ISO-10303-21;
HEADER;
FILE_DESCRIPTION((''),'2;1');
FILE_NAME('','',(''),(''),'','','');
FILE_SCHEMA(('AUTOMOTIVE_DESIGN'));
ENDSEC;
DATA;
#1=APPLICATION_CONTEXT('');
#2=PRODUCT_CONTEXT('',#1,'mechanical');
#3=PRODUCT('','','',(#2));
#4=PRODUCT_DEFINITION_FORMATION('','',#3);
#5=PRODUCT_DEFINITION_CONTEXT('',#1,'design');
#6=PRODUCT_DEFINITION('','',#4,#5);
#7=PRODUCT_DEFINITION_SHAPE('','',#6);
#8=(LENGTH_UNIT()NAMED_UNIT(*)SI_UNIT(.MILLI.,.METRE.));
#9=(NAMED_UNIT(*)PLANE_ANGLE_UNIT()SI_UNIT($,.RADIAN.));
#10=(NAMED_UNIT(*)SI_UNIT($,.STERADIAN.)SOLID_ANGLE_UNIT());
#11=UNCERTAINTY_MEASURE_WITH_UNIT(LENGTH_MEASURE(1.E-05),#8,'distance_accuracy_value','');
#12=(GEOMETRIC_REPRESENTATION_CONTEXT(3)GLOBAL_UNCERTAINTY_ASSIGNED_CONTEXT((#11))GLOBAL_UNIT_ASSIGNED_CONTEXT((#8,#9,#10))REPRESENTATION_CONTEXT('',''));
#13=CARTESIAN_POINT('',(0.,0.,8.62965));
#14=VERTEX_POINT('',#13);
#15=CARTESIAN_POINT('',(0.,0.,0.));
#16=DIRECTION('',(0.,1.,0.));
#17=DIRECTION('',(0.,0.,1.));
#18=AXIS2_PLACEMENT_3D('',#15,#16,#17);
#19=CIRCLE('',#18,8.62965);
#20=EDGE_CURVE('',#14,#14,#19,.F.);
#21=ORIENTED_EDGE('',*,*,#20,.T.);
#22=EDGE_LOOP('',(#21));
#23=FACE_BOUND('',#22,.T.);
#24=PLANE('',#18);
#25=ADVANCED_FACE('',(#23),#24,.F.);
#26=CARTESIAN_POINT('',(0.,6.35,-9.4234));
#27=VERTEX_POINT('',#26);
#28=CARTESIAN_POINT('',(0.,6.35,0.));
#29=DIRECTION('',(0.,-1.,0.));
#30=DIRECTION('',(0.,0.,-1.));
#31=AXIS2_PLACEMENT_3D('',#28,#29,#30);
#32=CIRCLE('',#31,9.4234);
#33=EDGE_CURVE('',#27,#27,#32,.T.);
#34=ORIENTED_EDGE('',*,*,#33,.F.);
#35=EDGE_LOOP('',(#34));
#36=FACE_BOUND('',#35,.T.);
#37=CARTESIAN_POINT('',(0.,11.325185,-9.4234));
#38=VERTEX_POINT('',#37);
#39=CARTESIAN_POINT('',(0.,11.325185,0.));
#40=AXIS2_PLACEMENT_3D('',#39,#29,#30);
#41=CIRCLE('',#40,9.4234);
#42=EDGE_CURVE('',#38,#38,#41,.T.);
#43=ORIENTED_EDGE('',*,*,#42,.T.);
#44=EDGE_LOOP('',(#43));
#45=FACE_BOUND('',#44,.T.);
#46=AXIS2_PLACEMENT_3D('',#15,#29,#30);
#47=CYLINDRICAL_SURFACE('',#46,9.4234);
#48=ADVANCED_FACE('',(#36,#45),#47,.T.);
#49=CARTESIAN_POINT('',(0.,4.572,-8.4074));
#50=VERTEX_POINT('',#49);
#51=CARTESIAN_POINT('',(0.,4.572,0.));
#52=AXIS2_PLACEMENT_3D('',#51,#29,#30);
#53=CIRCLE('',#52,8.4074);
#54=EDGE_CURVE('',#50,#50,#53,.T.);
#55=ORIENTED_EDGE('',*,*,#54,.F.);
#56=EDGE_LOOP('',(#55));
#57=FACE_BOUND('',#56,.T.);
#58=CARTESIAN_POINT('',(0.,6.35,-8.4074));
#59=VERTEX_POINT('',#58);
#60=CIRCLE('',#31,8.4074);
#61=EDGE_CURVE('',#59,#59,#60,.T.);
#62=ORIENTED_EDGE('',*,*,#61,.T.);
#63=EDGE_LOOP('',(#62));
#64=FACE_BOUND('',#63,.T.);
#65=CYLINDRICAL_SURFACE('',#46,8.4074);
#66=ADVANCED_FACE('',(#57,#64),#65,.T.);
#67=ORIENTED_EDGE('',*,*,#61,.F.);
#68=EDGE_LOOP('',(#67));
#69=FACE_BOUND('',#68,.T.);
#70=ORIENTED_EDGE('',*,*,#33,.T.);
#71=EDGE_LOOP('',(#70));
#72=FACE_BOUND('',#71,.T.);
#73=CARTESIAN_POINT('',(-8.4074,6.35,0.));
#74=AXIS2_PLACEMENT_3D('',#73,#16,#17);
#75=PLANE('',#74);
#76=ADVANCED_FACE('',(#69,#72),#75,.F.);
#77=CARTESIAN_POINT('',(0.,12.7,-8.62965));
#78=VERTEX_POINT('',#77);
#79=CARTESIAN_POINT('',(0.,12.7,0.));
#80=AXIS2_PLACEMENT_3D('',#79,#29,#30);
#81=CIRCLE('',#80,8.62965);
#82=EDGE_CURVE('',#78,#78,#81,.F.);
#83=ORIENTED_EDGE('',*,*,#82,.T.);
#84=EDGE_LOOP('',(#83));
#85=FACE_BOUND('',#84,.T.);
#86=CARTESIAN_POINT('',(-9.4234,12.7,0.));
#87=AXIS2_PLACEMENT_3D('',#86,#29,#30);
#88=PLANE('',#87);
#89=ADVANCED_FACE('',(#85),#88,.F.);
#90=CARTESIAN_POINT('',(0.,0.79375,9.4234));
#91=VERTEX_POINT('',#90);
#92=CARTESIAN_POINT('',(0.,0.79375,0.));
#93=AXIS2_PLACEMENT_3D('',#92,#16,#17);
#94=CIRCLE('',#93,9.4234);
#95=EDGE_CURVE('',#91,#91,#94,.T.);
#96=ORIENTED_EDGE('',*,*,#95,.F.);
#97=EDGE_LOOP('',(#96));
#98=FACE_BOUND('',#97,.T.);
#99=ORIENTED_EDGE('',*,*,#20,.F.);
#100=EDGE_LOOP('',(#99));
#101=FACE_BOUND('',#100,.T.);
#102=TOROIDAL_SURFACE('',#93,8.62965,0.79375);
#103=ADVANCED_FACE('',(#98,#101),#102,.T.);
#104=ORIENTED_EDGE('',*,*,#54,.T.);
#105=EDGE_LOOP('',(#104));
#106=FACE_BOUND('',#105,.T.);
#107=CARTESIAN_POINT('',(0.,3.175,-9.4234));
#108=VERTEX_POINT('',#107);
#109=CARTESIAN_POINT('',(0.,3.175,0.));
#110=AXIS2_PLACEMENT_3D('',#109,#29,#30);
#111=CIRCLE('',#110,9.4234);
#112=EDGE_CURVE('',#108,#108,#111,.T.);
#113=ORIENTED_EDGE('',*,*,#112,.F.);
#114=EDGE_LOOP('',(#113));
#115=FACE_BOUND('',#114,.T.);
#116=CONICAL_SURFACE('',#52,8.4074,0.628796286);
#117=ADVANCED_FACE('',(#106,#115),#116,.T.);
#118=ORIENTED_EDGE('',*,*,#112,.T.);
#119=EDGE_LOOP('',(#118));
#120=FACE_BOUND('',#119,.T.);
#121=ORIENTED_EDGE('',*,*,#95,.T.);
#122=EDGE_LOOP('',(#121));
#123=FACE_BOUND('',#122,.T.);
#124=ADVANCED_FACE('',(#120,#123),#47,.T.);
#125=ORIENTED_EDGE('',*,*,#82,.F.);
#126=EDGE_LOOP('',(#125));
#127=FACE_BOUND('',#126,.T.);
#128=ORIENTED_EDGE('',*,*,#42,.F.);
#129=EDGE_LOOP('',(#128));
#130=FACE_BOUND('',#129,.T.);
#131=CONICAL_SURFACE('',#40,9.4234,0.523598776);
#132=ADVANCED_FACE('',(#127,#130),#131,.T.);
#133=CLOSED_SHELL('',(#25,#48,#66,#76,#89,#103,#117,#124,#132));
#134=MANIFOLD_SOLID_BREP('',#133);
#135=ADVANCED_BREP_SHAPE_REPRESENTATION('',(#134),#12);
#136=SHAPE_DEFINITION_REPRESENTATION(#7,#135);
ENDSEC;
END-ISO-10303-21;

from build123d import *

# Parameters (mm, degrees)
FILLET1_R      = 0.79375
CHAMFER1_SIZE  = 0.79375
CHAMFER1_SIZE2 = 1.374815329


with BuildPart() as part:
    # Sketch1 → Revolve1 (revolve)
    with BuildSketch(Plane.XY):
        Polygon((0, 0), (-9.4234, 0), (-9.4234, 3.175), (-8.4074, 4.572), (-8.4074, 6.35), (-9.4234, 6.35), (-9.4234, 12.7), (0, 12.7), align=None)
    revolve(axis=Axis((0, 0, 0), (0, 1, 0)))

    # Fillet1
    fillet1_edges = [part.edges().sort_by_distance(p)[0] for p in [
        (9.4234, 0, 0),
    ]]
    fillet(fillet1_edges, radius=FILLET1_R)

    # Chamfer1
    chamfer1_edges = [part.edges().sort_by_distance(p)[0] for p in [
        (9.4234, 12.7, 0),
    ]]
    chamfer1_side = [part.faces().sort_by_distance(p)[0] for p in [
        (0, 12.7, 0),
    ]]
    chamfer(chamfer1_edges, length=CHAMFER1_SIZE, length2=CHAMFER1_SIZE2, reference=chamfer1_side[0])


solid = part.part
